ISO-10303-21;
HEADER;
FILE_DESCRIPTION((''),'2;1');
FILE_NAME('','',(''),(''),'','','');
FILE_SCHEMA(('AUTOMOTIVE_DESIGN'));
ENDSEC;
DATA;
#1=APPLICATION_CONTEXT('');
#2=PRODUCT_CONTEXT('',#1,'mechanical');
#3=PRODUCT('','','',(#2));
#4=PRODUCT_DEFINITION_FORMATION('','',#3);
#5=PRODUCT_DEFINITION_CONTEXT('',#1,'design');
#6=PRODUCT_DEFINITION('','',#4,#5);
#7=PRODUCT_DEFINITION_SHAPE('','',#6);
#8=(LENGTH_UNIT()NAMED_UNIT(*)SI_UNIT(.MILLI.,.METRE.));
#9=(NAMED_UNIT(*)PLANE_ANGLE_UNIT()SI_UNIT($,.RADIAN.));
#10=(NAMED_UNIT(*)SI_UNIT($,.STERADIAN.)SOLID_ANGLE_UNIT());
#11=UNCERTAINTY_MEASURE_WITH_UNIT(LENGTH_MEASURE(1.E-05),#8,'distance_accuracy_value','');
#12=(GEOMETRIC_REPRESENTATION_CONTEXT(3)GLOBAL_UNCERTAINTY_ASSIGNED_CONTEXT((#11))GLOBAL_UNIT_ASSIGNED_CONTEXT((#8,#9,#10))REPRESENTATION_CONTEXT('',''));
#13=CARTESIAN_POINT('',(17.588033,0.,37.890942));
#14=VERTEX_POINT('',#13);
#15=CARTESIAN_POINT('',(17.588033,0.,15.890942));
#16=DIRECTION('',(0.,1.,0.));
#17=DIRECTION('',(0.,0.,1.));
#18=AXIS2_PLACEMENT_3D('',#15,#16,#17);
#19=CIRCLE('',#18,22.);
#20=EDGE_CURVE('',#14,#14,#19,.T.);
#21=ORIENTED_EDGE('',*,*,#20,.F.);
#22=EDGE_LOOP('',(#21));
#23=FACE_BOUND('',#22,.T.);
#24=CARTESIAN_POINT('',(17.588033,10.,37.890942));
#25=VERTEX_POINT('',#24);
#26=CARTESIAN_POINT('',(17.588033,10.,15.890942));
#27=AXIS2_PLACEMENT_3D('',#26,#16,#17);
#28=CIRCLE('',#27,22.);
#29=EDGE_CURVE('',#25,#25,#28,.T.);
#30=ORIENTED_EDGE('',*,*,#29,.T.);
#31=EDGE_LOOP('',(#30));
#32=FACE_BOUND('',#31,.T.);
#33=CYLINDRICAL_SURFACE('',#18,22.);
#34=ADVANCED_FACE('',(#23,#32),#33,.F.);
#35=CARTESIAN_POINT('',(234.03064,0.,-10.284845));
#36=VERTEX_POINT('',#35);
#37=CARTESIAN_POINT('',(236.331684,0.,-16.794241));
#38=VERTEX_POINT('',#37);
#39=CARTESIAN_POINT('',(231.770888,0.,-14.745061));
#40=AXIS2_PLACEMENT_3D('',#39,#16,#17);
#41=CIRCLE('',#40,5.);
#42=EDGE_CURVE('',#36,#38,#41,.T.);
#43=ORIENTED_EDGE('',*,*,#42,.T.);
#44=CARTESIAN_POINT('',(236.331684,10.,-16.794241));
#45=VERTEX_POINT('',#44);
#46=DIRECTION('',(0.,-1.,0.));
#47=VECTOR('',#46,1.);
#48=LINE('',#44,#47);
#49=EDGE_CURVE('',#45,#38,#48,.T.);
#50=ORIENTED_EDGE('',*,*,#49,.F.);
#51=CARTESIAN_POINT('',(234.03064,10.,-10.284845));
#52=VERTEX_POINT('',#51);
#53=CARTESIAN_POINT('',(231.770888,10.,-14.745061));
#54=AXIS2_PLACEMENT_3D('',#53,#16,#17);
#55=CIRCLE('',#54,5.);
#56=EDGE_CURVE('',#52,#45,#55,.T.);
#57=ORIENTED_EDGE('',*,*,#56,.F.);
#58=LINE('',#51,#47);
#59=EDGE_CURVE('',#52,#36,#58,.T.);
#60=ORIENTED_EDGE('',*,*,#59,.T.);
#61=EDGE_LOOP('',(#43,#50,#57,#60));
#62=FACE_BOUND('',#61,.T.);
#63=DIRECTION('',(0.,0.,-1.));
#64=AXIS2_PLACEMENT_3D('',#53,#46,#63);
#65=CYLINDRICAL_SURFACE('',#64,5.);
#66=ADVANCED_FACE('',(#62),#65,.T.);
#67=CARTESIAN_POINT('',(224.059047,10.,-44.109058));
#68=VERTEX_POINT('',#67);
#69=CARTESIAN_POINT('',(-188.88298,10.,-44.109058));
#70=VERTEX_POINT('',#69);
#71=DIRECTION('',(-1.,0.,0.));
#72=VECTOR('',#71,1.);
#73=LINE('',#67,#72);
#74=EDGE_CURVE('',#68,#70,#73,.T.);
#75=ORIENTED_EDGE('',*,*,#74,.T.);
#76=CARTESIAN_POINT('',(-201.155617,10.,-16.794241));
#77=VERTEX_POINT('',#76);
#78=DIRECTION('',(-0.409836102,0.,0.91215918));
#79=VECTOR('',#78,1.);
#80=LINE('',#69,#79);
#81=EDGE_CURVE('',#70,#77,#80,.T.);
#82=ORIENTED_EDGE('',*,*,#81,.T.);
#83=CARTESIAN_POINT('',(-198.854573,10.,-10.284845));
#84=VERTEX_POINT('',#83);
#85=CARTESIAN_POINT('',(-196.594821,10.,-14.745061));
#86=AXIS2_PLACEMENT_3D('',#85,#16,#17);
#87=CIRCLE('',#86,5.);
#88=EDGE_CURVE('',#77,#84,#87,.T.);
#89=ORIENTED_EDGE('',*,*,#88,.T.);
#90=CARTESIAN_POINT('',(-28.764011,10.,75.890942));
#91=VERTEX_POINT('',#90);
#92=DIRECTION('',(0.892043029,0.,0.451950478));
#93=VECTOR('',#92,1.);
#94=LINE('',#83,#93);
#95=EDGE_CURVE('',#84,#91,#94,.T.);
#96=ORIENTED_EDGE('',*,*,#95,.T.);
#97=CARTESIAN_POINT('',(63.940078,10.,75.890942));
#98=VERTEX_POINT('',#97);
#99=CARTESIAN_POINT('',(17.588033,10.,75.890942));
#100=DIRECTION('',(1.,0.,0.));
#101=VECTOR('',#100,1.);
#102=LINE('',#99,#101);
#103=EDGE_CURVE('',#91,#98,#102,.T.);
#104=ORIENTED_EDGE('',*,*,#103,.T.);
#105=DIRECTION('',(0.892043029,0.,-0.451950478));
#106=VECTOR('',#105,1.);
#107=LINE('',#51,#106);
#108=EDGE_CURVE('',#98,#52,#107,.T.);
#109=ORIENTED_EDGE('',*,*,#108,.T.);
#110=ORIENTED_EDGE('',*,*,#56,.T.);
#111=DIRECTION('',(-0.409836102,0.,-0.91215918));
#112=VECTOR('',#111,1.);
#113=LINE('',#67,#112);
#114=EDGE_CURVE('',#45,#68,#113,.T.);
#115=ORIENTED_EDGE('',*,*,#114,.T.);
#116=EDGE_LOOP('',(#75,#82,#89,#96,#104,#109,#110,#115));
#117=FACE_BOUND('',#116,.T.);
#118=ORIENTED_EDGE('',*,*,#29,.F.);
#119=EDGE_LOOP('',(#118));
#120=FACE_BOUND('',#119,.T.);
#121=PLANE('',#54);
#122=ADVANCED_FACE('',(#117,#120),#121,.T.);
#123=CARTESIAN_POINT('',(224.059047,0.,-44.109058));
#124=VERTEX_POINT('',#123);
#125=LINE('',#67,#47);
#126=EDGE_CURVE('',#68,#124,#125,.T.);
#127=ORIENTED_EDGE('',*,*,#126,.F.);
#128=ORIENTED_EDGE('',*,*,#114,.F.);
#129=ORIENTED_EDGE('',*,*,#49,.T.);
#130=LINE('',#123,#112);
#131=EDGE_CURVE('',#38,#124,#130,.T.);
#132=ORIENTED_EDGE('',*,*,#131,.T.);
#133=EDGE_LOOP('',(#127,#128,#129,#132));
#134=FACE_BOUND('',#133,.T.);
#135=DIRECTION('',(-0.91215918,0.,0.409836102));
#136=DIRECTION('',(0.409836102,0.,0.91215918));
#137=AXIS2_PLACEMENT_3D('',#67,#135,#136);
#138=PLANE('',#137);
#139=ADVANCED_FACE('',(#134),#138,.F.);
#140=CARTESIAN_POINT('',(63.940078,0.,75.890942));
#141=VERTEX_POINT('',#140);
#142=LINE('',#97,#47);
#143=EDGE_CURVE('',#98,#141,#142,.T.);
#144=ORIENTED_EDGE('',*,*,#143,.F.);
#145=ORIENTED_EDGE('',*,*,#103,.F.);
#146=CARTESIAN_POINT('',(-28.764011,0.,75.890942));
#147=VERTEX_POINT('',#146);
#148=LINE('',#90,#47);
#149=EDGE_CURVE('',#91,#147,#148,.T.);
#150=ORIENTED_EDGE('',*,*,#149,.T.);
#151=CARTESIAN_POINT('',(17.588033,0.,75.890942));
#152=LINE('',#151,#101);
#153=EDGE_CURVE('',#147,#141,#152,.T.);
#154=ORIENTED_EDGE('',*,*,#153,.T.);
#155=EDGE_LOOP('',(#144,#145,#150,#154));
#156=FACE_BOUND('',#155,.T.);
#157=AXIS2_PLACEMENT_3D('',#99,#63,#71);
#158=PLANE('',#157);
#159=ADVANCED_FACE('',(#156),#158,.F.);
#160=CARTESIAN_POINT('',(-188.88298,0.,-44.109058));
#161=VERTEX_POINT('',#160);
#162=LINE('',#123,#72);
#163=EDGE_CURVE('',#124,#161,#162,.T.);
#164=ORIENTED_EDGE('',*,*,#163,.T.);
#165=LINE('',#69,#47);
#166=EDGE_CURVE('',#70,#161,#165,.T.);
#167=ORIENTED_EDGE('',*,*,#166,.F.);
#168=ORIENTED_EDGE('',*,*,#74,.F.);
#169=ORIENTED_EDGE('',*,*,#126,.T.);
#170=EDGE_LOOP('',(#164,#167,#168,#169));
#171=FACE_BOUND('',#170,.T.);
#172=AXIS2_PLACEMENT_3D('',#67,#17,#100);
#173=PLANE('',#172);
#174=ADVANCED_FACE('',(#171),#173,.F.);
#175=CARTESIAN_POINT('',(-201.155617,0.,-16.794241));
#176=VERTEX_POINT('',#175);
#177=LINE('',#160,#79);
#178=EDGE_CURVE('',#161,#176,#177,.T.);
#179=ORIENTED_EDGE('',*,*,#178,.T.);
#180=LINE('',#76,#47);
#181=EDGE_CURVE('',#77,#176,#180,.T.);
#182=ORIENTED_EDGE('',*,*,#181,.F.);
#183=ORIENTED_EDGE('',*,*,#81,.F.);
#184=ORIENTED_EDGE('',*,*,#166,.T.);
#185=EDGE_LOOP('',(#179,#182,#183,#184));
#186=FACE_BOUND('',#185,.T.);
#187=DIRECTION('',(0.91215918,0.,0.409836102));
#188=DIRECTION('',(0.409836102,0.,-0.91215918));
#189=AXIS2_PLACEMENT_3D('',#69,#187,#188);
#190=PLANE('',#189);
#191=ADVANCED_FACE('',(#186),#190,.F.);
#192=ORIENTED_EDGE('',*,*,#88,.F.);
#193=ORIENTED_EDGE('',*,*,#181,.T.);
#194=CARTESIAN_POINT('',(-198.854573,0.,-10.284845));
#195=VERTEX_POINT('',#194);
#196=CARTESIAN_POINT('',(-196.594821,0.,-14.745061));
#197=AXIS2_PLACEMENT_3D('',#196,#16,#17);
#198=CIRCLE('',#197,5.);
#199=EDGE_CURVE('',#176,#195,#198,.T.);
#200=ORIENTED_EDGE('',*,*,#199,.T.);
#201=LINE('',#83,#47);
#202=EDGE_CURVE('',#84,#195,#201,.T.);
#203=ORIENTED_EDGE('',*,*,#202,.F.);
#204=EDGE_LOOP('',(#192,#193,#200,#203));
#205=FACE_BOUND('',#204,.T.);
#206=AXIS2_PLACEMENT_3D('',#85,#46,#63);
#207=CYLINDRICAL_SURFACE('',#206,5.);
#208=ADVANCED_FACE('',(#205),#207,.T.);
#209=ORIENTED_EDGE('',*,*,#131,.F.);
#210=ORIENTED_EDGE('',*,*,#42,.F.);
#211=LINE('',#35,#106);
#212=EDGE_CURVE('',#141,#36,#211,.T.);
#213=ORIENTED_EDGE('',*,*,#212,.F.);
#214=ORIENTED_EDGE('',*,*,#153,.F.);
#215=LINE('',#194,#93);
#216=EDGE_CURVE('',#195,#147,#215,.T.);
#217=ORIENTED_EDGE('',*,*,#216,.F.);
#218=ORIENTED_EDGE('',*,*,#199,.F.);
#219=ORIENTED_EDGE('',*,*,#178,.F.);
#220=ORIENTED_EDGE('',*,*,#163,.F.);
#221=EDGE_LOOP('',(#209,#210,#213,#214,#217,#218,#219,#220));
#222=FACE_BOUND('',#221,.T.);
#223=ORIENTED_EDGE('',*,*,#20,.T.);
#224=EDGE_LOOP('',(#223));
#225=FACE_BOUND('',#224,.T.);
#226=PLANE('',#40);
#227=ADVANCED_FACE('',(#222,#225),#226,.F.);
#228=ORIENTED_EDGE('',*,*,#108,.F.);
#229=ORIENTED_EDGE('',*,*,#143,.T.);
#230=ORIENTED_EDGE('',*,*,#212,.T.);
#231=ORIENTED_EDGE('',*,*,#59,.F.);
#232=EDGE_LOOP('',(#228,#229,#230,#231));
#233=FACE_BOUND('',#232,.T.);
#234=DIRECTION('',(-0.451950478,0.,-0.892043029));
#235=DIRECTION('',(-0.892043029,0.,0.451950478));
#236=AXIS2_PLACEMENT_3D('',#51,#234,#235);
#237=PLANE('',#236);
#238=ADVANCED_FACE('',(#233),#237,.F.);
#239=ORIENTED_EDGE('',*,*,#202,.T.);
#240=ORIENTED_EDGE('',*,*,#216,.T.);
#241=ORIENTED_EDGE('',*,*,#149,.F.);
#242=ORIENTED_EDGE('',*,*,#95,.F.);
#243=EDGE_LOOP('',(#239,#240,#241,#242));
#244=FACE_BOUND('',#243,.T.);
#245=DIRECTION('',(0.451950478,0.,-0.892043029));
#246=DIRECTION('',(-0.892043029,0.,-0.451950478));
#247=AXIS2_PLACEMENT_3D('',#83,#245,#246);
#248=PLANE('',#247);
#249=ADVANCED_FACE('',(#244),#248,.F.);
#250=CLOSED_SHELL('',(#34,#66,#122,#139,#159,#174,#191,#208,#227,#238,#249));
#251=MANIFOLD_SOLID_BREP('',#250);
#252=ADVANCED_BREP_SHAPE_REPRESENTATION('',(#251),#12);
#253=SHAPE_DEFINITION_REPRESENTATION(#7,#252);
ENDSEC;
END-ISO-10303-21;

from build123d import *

# Parameters (mm, degrees)
BOSS_EXTRUDE1_DEPTH = 10
SKETCH2_R           = 22
CUT_EXTRUDE1_DEPTH  = 10


with BuildPart() as part:
    # Sketch1 → Boss-Extrude1 (new body)
    with BuildSketch(Plane(origin=(0, 0, 0), x_dir=(1, 0, 0), z_dir=(0, 1, 0))):
        with BuildLine():
            Line((224.059047254, 44.109057501), (-188.882980363, 44.109057501))
            Line((-188.882980363, 44.109057501), (-201.155616653, 16.794241143))
            ThreePointArc((-201.155616653, 16.794241143), (-201.308951392, 13.078635624), (-198.854573143, 10.28484549))
            Line((-198.854573143, 10.28484549), (-28.764010839, -75.890942499))
            Line((-28.764010839, -75.890942499), (17.588033446, -75.890942499))
            Line((17.588033446, -75.890942499), (63.94007773, -75.890942499))
            Line((63.94007773, -75.890942499), (234.030640034, 10.28484549))
            ThreePointArc((234.030640034, 10.28484549), (236.485018284, 13.078635624), (236.331683544, 16.794241143))
            Line((236.331683544, 16.794241143), (224.059047254, 44.109057501))
        make_face()
    extrude(amount=BOSS_EXTRUDE1_DEPTH)

    # Sketch2 → Cut-Extrude1 (cut)
    with BuildSketch(Plane(origin=(0, 10, 0), x_dir=(1, 0, 0), z_dir=(0, 1, 0))):
        with Locations(Location((17.588033446, -15.890942499, 0), (0, 0, 270))):
            Circle(SKETCH2_R)
    extrude(amount=-CUT_EXTRUDE1_DEPTH, mode=Mode.SUBTRACT)


solid = part.part
